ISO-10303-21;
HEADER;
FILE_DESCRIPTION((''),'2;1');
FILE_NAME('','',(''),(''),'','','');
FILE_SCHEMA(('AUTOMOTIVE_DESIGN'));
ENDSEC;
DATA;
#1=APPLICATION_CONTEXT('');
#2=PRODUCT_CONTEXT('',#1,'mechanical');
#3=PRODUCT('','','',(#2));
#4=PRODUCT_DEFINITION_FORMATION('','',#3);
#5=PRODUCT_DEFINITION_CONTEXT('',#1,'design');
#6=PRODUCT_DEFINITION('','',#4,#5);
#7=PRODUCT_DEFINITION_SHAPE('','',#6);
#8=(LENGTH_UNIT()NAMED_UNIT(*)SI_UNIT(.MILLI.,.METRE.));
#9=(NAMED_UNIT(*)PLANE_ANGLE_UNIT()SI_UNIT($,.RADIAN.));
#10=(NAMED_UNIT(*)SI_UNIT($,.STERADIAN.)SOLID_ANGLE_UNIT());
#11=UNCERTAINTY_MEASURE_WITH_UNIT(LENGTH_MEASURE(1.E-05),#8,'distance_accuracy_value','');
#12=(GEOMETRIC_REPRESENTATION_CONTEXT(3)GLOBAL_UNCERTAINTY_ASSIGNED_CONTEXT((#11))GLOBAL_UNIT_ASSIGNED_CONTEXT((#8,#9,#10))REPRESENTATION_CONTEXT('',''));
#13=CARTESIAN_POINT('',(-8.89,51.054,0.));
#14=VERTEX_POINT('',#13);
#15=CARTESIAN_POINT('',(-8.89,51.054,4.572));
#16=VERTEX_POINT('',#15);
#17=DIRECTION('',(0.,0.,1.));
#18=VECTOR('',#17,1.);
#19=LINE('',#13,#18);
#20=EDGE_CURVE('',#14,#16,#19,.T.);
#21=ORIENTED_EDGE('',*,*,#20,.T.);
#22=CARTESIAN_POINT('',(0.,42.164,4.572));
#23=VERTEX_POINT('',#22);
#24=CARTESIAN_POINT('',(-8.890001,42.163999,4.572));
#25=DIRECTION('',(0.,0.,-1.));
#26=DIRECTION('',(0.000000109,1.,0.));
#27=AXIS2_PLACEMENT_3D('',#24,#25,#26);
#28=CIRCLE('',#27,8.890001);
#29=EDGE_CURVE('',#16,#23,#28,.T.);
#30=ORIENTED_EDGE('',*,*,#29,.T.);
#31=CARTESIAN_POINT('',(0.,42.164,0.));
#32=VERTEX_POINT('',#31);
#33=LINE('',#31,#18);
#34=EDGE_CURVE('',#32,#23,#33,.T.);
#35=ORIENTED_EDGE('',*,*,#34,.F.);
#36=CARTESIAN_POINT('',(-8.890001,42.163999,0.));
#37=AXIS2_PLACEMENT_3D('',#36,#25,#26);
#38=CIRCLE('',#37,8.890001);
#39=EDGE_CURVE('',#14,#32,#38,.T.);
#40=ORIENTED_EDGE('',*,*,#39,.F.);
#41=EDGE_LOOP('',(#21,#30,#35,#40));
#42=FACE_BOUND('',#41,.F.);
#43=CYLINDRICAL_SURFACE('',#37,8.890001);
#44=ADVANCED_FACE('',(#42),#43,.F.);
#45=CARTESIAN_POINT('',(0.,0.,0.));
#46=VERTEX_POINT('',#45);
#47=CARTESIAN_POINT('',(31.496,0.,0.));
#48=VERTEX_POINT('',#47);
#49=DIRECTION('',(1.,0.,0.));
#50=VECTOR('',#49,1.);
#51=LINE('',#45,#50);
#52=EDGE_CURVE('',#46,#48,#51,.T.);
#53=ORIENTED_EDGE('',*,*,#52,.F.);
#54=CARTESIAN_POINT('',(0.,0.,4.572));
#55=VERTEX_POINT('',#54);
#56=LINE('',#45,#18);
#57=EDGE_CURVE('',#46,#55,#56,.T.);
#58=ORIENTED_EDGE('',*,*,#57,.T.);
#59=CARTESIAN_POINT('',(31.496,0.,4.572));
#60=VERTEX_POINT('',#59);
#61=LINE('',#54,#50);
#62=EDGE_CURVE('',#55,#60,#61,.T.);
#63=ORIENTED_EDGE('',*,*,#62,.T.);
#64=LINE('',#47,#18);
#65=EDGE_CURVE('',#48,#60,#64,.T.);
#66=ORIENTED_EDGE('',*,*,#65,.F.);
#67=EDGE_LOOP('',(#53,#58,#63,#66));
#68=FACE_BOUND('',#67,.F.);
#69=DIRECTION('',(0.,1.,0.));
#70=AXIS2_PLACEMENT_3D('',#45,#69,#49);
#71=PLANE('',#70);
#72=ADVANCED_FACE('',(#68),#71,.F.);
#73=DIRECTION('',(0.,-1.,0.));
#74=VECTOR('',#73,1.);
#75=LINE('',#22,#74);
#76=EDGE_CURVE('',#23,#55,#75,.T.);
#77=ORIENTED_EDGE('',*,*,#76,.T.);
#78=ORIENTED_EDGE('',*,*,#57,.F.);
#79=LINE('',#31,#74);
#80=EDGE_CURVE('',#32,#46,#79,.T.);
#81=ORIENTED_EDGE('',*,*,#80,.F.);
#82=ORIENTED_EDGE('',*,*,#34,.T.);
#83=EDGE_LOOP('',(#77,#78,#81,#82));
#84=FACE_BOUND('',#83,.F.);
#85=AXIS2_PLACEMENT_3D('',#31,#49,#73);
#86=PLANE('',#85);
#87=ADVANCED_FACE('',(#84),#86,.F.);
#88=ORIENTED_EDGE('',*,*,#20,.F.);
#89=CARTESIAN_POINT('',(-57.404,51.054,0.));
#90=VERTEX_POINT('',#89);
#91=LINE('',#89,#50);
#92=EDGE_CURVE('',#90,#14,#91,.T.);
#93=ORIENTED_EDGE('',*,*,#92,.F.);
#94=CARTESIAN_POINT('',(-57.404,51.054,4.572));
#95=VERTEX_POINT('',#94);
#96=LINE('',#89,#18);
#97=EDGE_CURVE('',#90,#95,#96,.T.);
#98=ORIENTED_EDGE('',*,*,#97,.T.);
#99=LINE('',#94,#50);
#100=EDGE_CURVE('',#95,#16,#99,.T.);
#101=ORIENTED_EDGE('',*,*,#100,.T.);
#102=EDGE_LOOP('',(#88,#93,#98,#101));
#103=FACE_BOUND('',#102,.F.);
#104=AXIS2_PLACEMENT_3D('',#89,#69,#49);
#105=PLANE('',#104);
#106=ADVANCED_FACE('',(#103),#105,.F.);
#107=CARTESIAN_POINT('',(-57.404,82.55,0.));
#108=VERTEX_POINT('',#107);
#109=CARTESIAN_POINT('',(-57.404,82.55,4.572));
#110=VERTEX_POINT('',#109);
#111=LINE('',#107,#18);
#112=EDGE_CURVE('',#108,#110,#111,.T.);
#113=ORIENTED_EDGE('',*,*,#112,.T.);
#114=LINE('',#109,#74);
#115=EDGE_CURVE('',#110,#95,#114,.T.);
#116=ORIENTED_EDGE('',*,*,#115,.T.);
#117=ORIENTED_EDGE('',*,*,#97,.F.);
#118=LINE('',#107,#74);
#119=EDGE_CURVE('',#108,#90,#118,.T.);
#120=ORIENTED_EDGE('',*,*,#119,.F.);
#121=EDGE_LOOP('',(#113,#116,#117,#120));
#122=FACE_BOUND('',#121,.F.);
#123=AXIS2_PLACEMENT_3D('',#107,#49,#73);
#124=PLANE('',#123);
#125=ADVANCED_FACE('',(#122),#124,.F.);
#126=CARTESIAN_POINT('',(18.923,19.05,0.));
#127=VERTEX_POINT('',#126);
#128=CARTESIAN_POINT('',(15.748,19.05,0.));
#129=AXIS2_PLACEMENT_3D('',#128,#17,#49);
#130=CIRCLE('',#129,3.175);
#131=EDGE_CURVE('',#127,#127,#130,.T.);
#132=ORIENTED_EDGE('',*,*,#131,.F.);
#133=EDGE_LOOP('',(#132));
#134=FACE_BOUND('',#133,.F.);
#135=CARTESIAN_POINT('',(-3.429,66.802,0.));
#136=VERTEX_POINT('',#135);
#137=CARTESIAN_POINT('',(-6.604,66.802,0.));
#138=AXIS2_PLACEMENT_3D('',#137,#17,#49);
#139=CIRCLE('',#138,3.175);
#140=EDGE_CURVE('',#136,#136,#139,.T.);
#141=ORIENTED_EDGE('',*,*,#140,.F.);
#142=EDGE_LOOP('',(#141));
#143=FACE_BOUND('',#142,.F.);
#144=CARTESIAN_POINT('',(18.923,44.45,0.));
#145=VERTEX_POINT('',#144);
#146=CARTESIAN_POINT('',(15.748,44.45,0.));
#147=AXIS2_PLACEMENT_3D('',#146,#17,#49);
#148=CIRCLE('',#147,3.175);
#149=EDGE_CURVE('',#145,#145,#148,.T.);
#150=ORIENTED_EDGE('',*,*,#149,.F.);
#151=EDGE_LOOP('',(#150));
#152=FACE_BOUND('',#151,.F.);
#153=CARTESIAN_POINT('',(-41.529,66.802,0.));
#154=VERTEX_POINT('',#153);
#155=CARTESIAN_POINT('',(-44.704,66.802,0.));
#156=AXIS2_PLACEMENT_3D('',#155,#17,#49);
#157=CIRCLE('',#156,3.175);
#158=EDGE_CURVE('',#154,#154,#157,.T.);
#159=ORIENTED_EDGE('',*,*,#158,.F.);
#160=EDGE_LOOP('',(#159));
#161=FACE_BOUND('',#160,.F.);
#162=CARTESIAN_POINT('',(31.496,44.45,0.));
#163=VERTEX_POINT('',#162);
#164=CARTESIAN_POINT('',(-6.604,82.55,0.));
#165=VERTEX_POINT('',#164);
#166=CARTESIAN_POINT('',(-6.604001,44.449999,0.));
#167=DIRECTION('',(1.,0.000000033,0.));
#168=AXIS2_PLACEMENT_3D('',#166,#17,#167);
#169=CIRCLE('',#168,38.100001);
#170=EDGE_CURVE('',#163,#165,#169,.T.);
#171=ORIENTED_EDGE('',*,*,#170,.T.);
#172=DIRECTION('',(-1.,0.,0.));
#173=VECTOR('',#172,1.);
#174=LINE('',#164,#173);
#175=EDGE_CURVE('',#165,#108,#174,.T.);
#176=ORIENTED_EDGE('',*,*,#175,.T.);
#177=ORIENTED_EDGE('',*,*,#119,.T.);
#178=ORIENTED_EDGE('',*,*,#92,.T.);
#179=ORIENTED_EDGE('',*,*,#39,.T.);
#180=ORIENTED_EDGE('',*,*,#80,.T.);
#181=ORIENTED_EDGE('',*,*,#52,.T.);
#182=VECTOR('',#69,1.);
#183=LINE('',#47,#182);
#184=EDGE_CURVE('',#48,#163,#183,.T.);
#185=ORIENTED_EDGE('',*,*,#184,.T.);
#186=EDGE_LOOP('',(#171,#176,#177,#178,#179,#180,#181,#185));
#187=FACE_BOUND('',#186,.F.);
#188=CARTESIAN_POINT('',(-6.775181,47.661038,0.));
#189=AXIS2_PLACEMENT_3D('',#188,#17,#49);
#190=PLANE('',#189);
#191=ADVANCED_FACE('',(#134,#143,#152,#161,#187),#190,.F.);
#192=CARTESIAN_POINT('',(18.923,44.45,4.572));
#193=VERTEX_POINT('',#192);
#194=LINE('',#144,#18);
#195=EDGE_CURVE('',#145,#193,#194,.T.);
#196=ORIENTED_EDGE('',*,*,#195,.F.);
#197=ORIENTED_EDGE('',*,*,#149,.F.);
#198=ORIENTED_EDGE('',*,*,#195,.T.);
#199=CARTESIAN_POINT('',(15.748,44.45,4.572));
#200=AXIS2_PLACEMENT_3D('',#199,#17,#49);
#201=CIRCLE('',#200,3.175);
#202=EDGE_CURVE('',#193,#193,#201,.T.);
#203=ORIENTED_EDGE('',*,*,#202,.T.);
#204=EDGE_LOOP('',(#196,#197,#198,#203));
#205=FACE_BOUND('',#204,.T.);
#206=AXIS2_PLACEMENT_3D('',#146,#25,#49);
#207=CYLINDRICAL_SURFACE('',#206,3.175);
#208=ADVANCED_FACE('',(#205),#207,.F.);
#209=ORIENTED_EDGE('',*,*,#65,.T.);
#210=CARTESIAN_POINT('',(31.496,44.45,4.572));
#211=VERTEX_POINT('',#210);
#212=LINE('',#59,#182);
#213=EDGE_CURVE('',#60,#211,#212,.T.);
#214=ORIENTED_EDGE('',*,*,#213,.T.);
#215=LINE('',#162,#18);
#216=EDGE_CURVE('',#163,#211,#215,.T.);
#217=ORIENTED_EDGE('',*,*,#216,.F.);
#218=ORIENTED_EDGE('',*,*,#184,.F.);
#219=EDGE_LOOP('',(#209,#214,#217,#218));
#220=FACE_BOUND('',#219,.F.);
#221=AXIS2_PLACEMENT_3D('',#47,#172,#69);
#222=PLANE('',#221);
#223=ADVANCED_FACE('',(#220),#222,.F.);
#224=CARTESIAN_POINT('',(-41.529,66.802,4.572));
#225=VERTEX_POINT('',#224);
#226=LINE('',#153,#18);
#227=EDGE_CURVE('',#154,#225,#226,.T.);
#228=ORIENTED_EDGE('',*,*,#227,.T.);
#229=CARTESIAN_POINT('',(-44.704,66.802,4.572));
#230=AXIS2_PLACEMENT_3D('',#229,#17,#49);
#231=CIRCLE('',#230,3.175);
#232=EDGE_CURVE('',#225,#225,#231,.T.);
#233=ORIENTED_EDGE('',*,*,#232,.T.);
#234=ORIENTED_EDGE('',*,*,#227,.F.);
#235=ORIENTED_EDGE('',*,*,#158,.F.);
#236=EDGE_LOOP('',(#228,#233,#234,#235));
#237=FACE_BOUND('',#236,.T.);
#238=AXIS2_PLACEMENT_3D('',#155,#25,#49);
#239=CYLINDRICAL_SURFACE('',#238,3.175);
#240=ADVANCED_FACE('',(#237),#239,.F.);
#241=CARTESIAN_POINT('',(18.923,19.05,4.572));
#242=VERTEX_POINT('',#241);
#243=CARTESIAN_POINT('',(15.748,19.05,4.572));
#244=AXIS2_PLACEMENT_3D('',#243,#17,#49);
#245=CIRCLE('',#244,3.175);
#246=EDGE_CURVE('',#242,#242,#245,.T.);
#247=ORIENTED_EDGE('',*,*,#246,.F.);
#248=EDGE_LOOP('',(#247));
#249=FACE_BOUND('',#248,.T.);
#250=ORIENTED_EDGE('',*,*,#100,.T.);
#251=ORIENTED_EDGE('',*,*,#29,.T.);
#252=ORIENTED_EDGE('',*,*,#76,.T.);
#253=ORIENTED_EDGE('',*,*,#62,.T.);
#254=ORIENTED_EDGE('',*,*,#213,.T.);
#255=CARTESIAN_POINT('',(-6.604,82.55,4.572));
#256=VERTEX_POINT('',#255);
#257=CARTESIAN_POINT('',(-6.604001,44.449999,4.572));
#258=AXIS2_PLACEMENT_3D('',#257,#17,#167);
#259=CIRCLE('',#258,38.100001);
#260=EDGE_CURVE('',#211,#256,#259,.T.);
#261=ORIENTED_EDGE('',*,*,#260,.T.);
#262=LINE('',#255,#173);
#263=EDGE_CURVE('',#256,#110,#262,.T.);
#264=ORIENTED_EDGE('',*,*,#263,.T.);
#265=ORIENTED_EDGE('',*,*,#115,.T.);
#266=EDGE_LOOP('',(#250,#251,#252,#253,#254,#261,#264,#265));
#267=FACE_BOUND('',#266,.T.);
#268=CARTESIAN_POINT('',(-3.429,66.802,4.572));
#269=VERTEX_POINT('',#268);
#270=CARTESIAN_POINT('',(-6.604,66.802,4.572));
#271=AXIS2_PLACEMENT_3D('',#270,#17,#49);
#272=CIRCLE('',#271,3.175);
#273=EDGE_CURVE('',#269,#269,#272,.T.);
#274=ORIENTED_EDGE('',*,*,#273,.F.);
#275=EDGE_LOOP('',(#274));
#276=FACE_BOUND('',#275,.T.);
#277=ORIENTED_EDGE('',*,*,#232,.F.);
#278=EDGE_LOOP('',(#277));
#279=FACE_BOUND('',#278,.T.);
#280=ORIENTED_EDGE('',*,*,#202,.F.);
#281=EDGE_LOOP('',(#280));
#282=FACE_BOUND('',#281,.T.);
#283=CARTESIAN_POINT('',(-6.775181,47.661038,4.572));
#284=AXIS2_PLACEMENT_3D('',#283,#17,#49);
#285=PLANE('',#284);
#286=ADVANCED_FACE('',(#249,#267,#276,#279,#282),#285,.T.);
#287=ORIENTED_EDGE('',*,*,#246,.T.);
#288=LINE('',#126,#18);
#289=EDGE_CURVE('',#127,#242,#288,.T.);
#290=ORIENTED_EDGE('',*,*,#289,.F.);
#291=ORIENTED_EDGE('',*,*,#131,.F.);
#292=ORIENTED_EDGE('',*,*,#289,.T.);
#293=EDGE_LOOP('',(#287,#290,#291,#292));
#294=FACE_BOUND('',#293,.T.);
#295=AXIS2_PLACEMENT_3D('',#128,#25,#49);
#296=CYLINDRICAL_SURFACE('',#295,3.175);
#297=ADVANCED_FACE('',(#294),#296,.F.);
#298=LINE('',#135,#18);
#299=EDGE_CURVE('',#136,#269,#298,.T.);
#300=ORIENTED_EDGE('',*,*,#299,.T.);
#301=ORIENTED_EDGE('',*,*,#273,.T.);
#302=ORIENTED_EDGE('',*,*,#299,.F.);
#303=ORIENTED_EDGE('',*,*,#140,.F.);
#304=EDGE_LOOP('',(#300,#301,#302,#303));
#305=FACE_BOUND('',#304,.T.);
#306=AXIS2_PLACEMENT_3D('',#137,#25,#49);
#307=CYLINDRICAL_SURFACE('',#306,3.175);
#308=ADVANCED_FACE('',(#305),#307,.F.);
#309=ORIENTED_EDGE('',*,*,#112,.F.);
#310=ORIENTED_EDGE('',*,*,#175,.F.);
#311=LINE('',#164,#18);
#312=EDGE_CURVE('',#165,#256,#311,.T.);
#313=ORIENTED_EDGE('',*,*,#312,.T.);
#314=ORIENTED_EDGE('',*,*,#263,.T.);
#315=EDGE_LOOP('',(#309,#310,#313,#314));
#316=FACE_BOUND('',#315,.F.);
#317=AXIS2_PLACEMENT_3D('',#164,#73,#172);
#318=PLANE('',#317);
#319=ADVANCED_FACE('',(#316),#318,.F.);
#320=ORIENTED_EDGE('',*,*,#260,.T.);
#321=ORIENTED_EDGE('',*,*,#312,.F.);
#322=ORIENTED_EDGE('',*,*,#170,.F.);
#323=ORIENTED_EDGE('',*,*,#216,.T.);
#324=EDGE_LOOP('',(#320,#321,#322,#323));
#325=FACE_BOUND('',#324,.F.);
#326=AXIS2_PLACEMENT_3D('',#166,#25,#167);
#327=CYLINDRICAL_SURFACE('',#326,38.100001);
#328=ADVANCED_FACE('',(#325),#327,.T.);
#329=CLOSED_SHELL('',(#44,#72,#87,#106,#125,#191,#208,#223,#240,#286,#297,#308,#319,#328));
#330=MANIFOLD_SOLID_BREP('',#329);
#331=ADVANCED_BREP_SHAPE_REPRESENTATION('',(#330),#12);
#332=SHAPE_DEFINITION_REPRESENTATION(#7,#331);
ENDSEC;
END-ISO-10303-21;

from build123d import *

# Parameters (mm, degrees)
F0_R     = 3.175
F1_DEPTH = 4.572


with BuildPart() as f1:
    # F0 (on Top) → F1 (new body)
    with BuildSketch(Plane.XY):
        with BuildLine():
            Line((-6.604, 82.55), (-57.404, 82.55))
            Line((-57.404, 82.55), (-57.404, 51.054))
            Line((-57.404, 51.054), (-8.89, 51.054))
            ThreePointArc((-8.89, 51.054), (-2.603821, 48.450179), (0, 42.164))
            Line((0, 42.164), (0, 0))
            Line((0, 0), (31.496, 0))
            Line((31.496, 0), (31.496, 44.45))
            ThreePointArc((31.496, 44.45), (20.336768, 71.390768), (-6.604, 82.55))
        make_face()
        with Locations((15.748, 19.05)):
            Circle(F0_R, mode=Mode.SUBTRACT)
        with Locations((-44.704, 66.802)):
            Circle(F0_R, mode=Mode.SUBTRACT)
        with Locations((15.748, 44.45)):
            Circle(F0_R, mode=Mode.SUBTRACT)
        with Locations((-6.604, 66.802)):
            Circle(F0_R, mode=Mode.SUBTRACT)
    extrude(amount=F1_DEPTH)


solid = f1.part
